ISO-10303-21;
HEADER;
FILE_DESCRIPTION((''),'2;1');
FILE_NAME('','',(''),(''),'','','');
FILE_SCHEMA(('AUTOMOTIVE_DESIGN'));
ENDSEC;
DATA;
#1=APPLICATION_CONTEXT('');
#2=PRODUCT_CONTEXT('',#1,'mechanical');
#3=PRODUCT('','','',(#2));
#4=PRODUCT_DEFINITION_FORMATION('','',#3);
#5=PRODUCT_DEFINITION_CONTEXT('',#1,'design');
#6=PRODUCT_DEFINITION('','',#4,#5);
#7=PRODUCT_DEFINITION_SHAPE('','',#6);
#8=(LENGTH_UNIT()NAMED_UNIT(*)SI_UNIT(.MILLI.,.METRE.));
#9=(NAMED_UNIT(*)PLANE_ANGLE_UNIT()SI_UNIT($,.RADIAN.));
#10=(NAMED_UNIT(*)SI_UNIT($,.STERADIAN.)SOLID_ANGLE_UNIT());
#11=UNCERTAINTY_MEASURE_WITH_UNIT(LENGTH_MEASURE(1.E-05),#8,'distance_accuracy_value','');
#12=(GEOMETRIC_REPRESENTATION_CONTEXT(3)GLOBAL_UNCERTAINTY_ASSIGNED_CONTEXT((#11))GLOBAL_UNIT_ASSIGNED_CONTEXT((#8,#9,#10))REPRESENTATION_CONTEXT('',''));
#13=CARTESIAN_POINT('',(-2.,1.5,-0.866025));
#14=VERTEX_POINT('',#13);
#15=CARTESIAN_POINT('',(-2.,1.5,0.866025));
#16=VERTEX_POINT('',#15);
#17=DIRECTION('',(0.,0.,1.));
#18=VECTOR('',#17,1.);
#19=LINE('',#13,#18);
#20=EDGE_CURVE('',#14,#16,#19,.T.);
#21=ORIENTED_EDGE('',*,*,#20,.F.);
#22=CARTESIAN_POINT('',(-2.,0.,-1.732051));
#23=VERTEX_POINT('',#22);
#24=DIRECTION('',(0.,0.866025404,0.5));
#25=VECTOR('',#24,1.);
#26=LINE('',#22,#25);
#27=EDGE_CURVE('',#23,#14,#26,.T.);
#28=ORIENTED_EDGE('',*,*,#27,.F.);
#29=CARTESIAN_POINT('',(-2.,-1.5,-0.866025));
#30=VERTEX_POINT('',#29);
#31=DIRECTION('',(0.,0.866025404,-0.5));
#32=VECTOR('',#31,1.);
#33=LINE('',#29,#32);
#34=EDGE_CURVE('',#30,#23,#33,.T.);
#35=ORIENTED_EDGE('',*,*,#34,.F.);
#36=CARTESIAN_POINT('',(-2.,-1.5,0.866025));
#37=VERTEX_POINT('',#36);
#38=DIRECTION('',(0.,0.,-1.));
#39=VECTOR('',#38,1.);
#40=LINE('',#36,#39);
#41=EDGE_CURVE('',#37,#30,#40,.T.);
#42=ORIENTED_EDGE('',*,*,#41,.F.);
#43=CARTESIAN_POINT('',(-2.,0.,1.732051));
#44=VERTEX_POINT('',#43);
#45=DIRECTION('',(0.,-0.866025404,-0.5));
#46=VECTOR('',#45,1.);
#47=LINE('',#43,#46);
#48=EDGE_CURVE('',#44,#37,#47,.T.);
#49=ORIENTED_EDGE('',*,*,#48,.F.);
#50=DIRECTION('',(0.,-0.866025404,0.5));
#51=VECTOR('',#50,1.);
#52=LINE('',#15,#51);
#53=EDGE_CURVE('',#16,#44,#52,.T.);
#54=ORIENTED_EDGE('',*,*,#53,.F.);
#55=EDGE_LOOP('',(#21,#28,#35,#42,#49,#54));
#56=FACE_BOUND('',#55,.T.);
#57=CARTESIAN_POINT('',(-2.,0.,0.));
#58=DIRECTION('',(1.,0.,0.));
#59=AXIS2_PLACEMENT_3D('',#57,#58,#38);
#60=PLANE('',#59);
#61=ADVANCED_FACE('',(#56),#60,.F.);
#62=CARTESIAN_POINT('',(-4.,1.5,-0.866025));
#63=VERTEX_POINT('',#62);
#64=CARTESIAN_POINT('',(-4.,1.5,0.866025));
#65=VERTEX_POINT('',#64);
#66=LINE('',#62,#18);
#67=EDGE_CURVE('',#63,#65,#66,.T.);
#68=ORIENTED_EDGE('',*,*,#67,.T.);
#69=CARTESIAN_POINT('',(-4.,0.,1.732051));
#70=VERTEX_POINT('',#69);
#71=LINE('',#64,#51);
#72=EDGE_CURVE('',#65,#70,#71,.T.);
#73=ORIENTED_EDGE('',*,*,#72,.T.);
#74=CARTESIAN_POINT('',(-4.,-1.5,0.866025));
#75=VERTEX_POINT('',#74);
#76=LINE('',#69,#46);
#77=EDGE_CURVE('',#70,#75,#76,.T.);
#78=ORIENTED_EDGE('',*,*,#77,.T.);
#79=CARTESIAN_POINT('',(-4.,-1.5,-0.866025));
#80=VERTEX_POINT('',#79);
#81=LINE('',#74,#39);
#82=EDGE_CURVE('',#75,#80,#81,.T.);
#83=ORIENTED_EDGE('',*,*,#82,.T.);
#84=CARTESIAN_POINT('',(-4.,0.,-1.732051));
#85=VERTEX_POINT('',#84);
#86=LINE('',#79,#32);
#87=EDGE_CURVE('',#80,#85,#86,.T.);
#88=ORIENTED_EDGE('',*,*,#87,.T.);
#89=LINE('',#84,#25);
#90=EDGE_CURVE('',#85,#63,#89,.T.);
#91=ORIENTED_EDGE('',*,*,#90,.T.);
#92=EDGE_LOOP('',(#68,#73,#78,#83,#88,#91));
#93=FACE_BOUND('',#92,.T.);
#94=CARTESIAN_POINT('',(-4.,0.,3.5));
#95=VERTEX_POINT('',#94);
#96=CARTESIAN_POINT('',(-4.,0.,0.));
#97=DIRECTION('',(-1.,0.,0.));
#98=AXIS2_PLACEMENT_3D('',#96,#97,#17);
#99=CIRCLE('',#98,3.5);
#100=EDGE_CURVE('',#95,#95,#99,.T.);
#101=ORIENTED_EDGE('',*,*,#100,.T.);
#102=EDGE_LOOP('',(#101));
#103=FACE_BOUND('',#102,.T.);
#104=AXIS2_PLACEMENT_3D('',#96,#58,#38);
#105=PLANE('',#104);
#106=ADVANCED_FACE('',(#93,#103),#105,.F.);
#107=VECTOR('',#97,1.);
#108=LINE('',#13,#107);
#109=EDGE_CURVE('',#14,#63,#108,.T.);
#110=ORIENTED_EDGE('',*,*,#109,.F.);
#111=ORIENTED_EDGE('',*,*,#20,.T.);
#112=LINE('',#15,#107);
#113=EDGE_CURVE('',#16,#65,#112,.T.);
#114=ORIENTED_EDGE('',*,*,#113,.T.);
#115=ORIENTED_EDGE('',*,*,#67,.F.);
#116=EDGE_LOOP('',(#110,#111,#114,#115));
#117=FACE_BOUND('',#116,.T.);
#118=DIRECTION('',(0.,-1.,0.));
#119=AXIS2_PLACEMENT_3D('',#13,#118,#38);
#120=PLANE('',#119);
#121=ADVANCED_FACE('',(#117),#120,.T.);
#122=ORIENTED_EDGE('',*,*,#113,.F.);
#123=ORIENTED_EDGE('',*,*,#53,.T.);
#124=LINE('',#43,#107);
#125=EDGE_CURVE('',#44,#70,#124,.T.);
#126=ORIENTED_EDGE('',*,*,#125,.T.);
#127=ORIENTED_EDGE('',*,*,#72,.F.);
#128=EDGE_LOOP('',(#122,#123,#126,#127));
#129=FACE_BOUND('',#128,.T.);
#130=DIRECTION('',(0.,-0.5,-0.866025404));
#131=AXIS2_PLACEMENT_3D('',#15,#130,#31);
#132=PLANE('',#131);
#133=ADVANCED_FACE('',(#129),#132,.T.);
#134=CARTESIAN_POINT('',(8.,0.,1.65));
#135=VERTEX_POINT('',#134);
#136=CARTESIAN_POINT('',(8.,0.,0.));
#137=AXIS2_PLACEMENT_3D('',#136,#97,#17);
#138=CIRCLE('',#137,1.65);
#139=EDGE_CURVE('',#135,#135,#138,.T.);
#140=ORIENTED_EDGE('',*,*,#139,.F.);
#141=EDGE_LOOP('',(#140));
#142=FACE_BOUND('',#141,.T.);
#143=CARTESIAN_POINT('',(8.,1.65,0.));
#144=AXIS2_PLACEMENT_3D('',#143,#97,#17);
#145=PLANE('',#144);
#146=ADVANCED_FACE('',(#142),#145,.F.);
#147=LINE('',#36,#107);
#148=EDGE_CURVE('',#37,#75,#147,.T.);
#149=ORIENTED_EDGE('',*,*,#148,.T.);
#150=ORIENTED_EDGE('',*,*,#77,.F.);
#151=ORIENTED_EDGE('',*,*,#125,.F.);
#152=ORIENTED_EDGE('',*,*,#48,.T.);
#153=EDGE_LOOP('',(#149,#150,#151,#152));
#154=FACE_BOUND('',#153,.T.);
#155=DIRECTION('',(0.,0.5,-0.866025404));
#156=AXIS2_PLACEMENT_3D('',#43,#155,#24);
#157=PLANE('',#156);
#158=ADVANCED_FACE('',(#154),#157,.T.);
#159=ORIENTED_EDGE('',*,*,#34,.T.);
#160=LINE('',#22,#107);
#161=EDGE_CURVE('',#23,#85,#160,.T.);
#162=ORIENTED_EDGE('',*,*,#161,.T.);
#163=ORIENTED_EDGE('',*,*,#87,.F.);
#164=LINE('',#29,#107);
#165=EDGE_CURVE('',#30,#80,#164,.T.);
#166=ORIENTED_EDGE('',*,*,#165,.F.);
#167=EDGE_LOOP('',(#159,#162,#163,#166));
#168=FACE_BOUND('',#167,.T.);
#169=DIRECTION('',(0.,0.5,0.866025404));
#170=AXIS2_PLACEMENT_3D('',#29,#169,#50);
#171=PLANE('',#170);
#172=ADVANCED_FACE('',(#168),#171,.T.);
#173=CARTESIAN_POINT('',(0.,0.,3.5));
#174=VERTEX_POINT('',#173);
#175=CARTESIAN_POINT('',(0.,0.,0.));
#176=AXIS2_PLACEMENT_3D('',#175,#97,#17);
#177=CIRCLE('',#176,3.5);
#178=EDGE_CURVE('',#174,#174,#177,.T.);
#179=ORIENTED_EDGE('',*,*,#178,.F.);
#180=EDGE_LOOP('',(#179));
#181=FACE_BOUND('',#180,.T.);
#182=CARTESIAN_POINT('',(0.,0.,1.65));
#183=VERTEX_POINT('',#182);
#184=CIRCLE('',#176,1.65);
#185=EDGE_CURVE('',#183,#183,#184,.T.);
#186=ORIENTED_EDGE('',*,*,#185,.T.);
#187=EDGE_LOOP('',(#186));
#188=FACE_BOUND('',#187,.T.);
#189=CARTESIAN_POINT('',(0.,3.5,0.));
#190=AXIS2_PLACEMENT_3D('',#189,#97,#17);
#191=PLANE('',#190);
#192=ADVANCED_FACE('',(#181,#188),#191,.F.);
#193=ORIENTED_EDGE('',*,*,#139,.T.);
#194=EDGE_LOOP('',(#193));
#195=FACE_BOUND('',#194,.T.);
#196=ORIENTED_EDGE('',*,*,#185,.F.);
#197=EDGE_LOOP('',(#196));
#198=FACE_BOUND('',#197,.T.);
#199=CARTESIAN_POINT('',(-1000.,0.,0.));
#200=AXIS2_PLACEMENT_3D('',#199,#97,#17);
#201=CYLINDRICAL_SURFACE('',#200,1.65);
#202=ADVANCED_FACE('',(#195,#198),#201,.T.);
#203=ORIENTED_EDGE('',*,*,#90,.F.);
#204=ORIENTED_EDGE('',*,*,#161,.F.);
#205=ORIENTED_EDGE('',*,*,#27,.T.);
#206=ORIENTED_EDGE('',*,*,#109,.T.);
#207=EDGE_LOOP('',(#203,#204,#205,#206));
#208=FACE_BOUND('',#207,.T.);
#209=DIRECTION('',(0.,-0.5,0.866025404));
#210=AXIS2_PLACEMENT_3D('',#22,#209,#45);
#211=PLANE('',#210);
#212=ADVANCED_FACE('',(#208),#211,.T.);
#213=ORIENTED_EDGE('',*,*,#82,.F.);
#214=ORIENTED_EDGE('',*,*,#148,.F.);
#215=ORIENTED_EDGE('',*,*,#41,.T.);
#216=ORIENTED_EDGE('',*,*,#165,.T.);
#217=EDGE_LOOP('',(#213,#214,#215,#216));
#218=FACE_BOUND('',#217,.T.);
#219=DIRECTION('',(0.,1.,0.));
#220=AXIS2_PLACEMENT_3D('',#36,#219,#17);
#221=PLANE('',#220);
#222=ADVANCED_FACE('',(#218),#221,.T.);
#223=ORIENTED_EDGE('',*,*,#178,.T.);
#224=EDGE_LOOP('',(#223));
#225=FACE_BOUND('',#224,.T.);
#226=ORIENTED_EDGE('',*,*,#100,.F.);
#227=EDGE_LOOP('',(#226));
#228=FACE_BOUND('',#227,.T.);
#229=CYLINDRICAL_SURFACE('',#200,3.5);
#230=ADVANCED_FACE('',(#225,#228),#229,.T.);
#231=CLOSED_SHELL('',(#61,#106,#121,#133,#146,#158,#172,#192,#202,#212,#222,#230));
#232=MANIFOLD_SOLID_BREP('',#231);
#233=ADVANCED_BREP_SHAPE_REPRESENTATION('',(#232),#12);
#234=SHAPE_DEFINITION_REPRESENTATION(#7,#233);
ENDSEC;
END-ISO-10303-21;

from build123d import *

# Parameters (mm, degrees)
SOCKET_DEPTH = 2


with BuildPart() as part:
    # Screw Sketch → Screw (revolve)
    with BuildSketch(Plane.XY):
        Polygon((-4, 0), (-4, 3.5), (0, 3.5), (0, 1.65), (8, 1.65), (8, 0), align=None)
    revolve(axis=Axis((-1000, 0, 0), (1, 0, 0)))

    # Socket Sketch → Socket (cut)
    with BuildSketch(Plane(origin=(-4, 0, 0), x_dir=(0, 0, -1), z_dir=(1, 0, 0))):
        Polygon((1.732050808, 0), (0.866025404, 1.5), (-0.866025404, 1.5), (-1.732050808, 0), (-0.866025404, -1.5), (0.866025404, -1.5), align=None)
    extrude(amount=SOCKET_DEPTH, mode=Mode.SUBTRACT)


solid = part.part
